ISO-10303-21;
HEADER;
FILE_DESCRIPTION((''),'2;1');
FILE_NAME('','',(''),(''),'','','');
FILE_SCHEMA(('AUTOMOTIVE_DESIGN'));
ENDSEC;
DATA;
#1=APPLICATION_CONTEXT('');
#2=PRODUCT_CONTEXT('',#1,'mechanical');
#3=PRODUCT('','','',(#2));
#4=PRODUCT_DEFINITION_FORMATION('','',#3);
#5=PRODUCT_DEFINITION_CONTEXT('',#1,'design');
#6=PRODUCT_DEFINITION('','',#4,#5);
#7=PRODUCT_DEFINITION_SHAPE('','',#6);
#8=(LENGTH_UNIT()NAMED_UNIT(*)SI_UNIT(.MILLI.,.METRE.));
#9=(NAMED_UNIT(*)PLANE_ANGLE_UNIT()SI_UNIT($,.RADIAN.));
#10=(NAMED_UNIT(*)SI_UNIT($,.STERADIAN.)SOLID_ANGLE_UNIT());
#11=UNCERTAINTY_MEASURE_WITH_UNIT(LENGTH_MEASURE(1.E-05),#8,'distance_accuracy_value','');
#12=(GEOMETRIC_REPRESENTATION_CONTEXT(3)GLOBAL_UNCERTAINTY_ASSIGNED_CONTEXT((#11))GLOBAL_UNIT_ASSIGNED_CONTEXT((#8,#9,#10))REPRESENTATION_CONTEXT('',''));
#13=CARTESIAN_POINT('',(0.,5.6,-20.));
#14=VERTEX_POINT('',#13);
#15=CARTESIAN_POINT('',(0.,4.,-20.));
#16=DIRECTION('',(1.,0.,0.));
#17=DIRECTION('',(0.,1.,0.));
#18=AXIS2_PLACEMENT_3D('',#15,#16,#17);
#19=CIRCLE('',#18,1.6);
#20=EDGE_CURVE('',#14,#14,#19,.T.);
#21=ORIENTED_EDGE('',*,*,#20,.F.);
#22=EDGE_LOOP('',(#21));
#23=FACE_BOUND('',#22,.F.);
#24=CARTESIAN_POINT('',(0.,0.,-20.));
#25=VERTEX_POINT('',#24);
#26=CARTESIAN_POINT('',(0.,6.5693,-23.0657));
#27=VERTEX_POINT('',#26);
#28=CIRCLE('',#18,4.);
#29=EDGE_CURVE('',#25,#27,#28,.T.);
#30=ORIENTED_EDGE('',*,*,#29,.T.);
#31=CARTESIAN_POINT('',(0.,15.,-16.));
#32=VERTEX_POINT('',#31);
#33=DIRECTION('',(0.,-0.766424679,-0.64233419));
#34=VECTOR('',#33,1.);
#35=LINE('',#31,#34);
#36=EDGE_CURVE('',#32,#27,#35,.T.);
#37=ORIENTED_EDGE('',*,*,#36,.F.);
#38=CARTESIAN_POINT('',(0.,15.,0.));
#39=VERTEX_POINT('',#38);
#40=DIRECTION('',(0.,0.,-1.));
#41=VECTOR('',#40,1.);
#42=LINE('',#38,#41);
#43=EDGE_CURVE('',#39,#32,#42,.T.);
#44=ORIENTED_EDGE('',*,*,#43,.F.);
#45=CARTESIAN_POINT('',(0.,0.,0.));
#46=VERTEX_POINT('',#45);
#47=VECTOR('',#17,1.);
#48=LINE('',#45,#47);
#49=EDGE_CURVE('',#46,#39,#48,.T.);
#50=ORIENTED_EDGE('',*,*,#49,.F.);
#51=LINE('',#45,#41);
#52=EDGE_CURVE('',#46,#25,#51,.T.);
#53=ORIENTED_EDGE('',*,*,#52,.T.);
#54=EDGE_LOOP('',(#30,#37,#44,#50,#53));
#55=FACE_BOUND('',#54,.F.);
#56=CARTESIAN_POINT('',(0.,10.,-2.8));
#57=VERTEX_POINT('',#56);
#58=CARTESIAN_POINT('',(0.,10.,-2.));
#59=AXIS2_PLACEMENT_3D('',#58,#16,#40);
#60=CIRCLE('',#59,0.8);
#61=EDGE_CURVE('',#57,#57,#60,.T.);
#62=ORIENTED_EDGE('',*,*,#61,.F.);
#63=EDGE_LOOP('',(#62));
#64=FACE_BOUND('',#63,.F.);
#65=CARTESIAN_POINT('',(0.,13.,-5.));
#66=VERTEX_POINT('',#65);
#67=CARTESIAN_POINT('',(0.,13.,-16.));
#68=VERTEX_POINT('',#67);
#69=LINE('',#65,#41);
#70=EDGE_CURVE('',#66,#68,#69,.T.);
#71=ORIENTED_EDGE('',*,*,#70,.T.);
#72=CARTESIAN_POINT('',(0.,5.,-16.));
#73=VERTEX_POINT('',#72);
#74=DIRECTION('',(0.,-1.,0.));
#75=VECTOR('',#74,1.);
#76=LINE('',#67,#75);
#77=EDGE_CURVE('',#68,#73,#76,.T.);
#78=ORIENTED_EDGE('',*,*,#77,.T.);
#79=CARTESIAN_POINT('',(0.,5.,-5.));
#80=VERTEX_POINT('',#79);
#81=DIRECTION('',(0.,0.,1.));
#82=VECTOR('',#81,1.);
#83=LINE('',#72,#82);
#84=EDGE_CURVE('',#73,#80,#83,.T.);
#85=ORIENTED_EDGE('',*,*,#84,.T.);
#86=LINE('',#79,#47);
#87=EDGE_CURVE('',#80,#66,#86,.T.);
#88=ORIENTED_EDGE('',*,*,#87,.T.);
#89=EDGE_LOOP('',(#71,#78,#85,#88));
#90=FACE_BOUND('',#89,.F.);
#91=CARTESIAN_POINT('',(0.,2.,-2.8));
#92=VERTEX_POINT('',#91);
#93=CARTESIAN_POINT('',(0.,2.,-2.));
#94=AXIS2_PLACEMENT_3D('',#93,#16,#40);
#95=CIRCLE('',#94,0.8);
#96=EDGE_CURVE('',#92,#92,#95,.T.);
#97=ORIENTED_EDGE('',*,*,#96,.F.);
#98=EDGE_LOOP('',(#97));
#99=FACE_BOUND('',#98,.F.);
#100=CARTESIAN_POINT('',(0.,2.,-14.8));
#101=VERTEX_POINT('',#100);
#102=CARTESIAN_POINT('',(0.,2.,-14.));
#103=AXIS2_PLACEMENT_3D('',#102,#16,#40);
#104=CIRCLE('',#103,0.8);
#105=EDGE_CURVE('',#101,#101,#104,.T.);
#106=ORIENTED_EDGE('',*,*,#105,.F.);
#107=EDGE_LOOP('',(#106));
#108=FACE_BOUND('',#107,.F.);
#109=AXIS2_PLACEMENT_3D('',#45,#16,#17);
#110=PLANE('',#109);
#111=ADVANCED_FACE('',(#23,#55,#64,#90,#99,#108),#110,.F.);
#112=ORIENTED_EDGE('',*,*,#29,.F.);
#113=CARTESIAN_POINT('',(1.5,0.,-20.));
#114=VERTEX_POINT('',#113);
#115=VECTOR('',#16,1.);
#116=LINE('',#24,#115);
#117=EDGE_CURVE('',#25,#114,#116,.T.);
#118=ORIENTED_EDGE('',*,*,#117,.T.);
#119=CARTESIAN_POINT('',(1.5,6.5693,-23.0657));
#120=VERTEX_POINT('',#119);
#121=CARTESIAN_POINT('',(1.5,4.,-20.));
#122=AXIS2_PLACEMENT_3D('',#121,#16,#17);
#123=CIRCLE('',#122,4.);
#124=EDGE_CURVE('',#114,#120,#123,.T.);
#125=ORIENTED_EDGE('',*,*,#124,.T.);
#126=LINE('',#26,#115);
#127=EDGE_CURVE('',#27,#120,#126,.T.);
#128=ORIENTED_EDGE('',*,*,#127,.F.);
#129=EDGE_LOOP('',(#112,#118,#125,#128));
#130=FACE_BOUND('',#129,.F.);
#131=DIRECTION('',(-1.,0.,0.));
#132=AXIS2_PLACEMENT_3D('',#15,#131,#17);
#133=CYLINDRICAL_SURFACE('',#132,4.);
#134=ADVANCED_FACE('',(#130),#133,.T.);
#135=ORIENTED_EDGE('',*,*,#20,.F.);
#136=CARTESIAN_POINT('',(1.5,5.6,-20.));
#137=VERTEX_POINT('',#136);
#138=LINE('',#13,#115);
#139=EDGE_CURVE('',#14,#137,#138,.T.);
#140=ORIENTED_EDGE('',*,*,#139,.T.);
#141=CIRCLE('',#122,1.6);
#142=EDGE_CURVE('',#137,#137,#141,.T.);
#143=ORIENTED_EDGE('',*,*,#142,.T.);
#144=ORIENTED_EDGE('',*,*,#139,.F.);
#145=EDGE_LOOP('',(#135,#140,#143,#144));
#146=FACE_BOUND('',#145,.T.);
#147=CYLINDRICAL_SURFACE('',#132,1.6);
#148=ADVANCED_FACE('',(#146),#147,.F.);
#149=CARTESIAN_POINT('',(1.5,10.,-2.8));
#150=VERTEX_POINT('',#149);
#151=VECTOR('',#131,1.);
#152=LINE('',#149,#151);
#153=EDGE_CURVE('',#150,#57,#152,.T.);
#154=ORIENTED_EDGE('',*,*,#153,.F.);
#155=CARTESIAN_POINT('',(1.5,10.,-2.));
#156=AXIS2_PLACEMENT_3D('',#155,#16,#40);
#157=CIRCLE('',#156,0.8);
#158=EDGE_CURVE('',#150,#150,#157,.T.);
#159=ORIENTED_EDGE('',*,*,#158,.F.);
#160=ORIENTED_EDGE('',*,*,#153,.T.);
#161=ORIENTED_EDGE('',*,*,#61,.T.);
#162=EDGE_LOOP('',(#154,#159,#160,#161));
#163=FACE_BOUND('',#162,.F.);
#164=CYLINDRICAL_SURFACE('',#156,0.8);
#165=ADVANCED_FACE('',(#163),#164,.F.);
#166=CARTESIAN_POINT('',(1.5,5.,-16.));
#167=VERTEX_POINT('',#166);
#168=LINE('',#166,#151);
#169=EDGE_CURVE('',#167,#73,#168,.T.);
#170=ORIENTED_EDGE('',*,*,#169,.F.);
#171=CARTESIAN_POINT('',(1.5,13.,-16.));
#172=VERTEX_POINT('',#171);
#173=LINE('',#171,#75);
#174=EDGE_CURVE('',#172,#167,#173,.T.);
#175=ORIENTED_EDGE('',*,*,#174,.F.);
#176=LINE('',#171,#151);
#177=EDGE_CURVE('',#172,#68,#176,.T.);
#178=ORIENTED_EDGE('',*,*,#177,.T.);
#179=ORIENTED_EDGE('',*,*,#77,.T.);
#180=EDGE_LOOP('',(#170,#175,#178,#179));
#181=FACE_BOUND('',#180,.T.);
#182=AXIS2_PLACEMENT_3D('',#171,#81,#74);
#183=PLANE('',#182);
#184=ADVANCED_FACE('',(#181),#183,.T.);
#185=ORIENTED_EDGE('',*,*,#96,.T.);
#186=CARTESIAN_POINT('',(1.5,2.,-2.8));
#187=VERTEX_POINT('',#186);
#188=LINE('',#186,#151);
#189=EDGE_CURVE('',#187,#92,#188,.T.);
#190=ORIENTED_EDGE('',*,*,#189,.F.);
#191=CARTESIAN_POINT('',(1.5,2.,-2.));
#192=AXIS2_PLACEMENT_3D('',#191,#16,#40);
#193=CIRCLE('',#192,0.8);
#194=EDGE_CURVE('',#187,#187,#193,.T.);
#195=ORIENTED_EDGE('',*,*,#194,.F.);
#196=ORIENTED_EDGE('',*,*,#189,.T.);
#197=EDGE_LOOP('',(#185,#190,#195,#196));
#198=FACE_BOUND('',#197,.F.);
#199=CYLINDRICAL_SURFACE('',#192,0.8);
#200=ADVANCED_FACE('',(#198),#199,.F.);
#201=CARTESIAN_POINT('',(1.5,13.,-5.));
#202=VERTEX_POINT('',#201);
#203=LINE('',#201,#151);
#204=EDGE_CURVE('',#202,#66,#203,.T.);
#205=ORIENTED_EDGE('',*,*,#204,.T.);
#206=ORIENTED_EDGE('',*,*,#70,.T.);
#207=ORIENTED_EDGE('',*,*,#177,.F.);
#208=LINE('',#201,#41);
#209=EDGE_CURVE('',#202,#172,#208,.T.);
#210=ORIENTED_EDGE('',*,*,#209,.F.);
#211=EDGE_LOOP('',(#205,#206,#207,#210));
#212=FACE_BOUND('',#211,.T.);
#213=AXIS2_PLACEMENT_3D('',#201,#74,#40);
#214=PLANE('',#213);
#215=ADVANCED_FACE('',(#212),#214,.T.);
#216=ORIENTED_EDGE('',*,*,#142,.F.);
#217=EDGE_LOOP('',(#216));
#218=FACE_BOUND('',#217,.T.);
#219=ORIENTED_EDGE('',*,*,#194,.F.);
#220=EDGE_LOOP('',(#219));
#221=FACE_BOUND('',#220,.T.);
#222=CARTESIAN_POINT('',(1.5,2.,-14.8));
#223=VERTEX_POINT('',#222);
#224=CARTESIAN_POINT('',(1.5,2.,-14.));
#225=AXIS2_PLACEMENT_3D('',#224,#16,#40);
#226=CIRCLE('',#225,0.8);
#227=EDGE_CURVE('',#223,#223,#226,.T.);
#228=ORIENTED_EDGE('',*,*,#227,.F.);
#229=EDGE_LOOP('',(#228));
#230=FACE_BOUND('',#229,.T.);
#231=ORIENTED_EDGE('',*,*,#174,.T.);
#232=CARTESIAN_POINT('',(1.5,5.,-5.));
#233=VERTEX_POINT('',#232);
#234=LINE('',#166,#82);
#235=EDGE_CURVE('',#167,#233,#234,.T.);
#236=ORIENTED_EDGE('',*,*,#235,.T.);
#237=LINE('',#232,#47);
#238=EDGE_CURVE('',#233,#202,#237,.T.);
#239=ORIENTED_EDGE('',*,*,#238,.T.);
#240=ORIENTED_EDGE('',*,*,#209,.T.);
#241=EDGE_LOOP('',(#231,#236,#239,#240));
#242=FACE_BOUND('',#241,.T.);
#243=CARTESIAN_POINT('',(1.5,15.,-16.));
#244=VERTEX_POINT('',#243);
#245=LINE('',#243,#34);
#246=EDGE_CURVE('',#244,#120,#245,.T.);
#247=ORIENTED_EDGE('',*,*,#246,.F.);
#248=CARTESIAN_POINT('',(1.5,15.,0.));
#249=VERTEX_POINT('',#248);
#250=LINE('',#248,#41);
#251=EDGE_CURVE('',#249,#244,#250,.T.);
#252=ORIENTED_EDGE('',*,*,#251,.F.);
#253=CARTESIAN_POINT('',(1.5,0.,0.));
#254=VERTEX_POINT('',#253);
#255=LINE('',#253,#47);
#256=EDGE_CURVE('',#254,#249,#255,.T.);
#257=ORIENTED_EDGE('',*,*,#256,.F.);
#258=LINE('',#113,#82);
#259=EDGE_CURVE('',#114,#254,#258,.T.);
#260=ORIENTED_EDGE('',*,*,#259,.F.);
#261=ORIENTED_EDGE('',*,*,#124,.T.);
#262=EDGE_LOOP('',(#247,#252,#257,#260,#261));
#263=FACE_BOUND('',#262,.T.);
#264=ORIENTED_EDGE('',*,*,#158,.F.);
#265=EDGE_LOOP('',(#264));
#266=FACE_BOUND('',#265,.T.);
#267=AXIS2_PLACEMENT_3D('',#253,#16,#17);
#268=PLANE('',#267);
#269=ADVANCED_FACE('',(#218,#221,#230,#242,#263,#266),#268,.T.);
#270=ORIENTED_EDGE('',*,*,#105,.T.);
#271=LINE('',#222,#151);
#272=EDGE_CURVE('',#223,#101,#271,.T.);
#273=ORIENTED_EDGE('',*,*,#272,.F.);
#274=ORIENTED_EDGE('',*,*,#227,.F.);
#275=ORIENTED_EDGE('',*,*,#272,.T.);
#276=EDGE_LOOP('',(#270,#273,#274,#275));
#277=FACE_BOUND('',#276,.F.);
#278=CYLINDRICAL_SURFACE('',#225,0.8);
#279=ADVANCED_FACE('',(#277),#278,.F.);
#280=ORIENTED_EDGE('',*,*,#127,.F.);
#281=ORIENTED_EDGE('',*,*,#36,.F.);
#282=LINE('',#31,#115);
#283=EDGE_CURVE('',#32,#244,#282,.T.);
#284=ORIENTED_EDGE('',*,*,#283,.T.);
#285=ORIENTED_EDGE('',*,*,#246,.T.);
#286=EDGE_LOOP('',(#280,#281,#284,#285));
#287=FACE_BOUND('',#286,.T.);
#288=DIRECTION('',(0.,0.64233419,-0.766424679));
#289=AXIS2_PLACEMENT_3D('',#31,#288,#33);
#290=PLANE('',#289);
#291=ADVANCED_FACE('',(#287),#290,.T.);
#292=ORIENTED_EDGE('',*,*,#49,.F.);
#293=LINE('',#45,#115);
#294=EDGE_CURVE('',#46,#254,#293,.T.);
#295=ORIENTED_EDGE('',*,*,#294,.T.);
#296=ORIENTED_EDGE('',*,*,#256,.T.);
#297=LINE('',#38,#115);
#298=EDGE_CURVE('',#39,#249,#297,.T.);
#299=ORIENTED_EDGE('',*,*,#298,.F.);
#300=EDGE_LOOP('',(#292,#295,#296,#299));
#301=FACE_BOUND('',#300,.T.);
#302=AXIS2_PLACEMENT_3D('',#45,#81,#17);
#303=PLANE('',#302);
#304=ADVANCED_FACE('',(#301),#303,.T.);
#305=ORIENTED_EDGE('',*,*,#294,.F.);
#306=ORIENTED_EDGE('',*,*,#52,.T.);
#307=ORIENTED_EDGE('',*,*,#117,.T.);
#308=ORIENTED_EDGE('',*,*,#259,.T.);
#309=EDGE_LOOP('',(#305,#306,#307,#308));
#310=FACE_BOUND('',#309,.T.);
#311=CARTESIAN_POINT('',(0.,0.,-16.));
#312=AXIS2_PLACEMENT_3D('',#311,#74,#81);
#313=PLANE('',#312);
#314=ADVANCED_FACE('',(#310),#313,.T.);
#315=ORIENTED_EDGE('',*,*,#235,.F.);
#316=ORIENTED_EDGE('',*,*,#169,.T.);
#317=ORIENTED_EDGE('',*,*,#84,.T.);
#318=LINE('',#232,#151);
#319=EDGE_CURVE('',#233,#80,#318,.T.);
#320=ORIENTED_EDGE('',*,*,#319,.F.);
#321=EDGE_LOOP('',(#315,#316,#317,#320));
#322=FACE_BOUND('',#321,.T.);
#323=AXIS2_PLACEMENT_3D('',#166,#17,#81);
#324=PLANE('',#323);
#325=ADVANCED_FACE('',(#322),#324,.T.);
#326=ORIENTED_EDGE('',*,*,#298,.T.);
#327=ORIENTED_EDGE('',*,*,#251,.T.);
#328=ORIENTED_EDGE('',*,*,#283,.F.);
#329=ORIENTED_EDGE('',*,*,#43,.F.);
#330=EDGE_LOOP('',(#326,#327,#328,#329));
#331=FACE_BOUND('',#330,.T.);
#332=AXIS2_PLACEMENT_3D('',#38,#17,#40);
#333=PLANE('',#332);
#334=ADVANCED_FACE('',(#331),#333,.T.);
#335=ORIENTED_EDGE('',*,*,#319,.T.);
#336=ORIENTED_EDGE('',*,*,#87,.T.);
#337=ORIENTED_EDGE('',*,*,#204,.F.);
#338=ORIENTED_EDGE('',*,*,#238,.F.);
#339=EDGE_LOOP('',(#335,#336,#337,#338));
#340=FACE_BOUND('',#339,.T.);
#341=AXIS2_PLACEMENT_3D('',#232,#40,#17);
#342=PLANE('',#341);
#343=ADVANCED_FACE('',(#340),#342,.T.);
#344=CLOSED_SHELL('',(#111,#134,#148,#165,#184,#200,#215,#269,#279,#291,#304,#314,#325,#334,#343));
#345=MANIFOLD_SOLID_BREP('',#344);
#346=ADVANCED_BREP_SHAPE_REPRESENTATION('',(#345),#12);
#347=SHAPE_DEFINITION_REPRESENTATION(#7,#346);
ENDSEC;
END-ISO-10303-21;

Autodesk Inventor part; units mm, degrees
ref_plane "YZ Plane" through (0, 0, 0) normal (1, 0, 0) x (0, 1, 0)
ref_plane "XZ Plane" through (0, 0, 0) normal (0, 1, 0) x (-1, 0, 0)
ref_plane "XY Plane" through (0, 0, 0) normal (0, 0, 1) x (1, 0, 0)
sketch "スケッチ1" plane through (0, 0, 0) normal (1, 0, 0) x (0, 1, 0)
  line L0 (0, 0) -> (15, 0)
  line L1 (15, 0) -> (15, -16)
  line L2 (15, -16) -> (0, -16)
  line L3 (0, -16) -> (0, 0)
  circle A0 centre (4, -20) radius 4
  circle A1 centre (4, -20) radius 1.6
  line L4 (15, -16) -> (6.5693, -23.0657)
  line L5 (0, -20) -> (0, -16)
  dimension "d0" = 15
  dimension "d2" = 3.2
  dimension "d3" = 8
  dimension "d5" = 20
extrude "プレート1" add sketch "スケッチ1" along normal blind 1.5
sketch "スケッチ2" plane through (1.5, 0, 0) normal (1, 0, 0) x (0, 0, -1)
  circle A0 centre (2, 10) radius 0.8 projected
  circle A1 centre (2, 2) radius 0.8 projected
  circle A2 centre (20, 4) radius 1.6 projected
  line L0 (0, 15) -> (16, 15) projected
  line L1 (0, 0) -> (0, 15) projected
  line L2 (20, 0) -> (0, 0) projected
  arc A3 (20, 0) -> (23.0657, 6.5693) centre (20, 4) ccw projected
  line L3 (16, 15) -> (23.0657, 6.5693) projected
  circle A4 centre (14, 2) radius 0.8 projected
  line L4 (5, 13) -> (16, 13)
  line L5 (16, 13) -> (16, 5)
  line L6 (16, 5) -> (5, 5)
  line L7 (5, 5) -> (5, 13)
  dimension "d8" = 2
  dimension "d9" = 3
  dimension "d10" = 3
extrude "切り取り1" cut sketch "スケッチ2" against normal blind 1.5 contours A0 | A1 | A4 | L4 L5 L6 L7
equation "\"d6\" = Thickness"
equation "\"d4\" = Thickness"
equation "\"BendRadius\" = Thickness"
equation "\"BendReliefWidth\" = Thickness"
equation "\"BendReliefDepth\" = 0.5 * Thickness"
equation "\"CornerReliefSize\" = 4 * Thickness"
equation "\"MinimumRemnant\" = 2 * Thickness"
equation "\"TransitionRadius\" = BendRadius"
equation "\"JacobiRadiusSize\" = BendRadius"
equation "\"GapSize\" = Thickness"
equation "\"Thickness\" = 1.5"
properties part number "battery_cover_setter_joint"
